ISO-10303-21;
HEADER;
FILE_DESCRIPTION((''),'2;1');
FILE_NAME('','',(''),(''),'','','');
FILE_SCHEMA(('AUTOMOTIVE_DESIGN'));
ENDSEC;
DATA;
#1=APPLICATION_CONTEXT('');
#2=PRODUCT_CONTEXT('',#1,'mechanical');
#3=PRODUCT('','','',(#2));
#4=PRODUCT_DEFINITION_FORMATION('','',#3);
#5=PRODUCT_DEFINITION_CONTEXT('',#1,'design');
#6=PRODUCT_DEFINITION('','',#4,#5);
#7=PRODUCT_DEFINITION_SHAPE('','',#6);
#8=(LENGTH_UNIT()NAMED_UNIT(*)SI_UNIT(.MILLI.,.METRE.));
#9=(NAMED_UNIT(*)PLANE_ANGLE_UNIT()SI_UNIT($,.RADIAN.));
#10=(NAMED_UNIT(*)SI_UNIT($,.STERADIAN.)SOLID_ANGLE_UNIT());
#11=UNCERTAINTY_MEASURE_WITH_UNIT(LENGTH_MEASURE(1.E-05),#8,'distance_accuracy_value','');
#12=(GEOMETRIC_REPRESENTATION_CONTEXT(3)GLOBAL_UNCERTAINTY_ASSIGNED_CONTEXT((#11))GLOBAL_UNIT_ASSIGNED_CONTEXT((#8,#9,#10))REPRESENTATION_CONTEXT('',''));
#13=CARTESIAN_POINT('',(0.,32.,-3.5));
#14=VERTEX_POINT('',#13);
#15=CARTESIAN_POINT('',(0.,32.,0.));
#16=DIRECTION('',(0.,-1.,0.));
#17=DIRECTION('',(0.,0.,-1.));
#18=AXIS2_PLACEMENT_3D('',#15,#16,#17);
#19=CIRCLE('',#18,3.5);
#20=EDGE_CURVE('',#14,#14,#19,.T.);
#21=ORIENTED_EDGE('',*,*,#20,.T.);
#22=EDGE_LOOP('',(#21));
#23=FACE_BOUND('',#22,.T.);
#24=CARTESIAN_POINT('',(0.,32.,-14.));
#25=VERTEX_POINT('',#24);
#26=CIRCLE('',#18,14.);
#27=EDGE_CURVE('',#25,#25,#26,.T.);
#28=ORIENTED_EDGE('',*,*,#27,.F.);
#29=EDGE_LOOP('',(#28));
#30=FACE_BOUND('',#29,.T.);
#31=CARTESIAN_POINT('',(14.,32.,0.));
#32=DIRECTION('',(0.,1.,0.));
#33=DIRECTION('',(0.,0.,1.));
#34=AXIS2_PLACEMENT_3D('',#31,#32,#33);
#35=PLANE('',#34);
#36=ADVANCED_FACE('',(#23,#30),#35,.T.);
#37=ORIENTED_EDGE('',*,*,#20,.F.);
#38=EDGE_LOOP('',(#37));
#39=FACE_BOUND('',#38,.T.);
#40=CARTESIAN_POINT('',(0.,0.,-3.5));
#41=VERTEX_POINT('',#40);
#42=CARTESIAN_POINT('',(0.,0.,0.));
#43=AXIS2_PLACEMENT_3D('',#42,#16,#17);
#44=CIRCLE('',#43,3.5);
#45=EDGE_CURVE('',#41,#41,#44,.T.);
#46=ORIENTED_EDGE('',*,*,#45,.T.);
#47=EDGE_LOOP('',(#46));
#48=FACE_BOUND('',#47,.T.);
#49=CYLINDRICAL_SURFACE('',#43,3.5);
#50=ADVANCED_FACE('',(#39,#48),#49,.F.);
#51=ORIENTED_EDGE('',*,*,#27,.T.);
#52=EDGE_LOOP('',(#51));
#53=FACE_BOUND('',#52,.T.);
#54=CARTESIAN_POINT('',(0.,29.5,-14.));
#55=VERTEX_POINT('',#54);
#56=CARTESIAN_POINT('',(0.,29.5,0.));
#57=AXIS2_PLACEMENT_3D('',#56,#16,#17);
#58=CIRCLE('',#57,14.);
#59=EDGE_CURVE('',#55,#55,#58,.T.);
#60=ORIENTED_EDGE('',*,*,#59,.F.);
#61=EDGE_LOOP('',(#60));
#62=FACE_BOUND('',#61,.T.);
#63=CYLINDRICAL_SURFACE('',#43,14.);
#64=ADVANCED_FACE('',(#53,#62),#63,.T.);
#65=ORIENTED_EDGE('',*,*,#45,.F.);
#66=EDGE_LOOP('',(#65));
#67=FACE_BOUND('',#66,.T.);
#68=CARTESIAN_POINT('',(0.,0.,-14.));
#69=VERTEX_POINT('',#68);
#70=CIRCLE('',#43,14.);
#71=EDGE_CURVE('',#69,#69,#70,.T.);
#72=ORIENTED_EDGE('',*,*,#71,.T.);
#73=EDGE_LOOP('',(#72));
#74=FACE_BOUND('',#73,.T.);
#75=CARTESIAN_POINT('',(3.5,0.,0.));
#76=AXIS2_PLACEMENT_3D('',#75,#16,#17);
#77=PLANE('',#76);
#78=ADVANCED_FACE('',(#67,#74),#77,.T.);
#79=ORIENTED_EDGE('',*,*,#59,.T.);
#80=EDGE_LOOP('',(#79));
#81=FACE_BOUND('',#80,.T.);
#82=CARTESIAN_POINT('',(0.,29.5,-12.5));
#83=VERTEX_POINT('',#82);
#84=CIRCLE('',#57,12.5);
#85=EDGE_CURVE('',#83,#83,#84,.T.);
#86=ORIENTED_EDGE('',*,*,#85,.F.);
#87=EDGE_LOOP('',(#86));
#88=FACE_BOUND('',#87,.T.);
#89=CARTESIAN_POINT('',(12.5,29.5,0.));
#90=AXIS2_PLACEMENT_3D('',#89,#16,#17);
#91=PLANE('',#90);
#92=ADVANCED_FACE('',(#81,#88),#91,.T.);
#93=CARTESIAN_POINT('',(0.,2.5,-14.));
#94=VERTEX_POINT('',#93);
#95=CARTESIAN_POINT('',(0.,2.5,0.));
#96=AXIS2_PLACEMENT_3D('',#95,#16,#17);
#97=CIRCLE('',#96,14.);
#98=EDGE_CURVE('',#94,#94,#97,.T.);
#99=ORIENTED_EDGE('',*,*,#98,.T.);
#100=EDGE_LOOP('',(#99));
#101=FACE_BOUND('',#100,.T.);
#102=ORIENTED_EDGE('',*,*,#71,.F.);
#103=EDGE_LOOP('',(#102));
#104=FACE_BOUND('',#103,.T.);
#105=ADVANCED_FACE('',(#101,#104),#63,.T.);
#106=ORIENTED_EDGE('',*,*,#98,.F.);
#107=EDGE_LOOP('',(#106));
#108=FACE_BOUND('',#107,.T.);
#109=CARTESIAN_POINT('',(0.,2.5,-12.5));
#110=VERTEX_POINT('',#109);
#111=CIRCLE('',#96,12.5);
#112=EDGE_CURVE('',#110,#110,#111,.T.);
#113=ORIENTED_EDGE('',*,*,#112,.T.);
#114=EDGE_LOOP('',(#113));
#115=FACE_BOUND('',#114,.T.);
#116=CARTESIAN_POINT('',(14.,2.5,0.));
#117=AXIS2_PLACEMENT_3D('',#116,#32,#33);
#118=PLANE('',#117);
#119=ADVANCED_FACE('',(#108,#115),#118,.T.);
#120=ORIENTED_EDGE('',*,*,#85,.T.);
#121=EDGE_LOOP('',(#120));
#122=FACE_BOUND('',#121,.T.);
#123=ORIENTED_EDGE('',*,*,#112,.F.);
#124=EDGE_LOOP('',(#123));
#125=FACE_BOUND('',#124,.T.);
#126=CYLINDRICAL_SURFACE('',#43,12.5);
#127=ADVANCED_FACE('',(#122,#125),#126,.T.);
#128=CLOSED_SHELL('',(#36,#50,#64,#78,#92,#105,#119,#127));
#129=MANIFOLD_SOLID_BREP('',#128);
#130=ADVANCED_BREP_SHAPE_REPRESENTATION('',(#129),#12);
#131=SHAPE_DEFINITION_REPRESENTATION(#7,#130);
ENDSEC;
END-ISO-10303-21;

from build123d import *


with BuildPart() as part:
    # Sketch3 → Revolve1 (revolve)
    with BuildSketch(Plane.XY):
        Polygon((3.5, 32), (3.5, 0), (14, 0), (14, 2.5), (12.5, 2.5), (12.5, 29.5), (14, 29.5), (14, 32), align=None)
    revolve(axis=Axis((0, 0, 0), (0, 1, 0)))


solid = part.part
